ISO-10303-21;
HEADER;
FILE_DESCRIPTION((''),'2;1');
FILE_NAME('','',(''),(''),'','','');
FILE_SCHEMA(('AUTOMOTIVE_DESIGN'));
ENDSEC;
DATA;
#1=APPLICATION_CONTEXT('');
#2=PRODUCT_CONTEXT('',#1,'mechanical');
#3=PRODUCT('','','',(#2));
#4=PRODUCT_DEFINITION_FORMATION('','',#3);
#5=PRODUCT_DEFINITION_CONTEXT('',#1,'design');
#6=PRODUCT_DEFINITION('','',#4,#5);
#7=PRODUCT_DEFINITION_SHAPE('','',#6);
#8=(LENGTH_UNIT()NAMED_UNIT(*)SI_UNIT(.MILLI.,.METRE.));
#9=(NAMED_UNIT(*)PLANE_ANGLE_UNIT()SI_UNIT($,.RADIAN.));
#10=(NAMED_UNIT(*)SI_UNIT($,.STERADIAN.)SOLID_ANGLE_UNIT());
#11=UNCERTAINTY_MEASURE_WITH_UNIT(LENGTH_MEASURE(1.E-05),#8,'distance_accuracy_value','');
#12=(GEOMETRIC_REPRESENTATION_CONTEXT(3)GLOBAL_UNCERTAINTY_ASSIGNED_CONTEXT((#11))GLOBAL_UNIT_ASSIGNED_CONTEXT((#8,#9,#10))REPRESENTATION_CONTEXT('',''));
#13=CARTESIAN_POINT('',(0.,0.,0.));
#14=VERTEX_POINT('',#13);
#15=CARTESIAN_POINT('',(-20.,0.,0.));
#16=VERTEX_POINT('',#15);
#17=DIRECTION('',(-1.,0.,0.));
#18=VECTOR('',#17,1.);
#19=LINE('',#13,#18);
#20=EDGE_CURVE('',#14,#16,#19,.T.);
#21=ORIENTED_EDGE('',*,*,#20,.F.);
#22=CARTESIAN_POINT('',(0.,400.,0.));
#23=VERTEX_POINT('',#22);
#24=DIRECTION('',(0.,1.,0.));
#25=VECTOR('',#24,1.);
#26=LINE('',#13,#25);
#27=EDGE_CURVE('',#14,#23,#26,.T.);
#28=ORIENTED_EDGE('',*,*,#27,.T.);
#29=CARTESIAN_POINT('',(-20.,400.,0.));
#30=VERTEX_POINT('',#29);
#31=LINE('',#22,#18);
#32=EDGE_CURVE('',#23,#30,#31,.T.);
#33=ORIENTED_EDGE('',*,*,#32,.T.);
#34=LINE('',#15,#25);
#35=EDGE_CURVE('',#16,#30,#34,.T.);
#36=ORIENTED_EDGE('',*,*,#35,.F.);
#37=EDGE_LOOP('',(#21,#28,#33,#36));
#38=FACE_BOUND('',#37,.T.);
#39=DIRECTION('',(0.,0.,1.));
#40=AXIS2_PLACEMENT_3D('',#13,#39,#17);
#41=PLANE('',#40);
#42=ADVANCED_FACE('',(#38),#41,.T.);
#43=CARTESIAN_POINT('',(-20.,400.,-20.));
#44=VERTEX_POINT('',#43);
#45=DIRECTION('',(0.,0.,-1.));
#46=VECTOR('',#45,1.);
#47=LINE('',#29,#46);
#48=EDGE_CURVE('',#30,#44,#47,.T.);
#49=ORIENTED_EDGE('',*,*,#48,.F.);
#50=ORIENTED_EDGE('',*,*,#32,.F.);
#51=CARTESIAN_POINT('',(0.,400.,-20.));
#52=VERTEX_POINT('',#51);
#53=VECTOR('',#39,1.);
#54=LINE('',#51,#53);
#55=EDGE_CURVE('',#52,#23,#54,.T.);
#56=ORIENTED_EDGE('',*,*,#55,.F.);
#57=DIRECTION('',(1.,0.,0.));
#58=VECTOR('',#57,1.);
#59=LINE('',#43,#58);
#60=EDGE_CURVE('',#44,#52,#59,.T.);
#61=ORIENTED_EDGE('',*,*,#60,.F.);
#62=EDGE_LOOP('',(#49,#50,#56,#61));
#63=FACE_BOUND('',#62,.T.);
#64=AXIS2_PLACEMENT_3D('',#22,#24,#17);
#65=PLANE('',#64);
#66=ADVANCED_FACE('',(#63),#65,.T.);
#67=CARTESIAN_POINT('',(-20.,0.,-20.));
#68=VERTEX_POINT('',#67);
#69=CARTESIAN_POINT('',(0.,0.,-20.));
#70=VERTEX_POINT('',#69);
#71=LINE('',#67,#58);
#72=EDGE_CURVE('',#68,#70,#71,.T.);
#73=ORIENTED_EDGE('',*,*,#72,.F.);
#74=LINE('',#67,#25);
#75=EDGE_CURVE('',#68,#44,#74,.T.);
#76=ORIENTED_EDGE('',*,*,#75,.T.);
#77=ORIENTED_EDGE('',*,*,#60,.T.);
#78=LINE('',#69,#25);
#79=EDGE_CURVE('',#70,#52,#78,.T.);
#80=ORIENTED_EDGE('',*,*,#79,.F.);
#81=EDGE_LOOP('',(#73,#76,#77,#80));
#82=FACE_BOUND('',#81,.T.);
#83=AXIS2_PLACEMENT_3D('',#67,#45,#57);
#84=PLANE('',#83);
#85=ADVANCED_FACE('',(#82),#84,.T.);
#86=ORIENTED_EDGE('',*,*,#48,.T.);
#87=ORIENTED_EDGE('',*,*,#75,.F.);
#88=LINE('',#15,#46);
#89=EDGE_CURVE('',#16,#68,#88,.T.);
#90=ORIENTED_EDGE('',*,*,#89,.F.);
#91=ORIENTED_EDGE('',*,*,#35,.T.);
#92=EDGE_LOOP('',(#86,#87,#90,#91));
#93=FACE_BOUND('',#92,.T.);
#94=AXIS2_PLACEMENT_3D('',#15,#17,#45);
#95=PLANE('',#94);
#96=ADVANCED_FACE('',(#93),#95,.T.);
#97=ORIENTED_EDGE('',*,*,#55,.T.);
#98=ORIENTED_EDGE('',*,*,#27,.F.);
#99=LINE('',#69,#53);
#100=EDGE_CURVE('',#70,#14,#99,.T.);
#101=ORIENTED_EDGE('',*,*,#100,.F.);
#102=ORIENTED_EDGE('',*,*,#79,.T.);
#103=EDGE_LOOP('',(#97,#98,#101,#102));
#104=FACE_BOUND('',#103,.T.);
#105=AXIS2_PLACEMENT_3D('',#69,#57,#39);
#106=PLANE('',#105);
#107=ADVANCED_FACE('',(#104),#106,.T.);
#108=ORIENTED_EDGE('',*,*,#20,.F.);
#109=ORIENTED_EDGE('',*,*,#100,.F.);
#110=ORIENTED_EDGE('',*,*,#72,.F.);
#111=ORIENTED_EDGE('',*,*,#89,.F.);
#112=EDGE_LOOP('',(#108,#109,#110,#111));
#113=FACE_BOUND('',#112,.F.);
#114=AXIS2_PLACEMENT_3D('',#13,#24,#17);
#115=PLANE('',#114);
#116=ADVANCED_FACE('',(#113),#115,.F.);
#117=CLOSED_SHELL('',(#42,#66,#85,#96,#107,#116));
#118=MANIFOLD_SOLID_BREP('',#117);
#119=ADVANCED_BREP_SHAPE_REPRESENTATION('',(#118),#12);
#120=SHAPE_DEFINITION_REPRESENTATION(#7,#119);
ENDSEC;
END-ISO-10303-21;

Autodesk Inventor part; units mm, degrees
ref_plane "YZ Plane" through (0, 0, 0) normal (1, 0, 0) x (0, 1, 0)
ref_plane "XZ Plane" through (0, 0, 0) normal (0, 1, 0) x (-1, 0, 0)
ref_plane "XY Plane" through (0, 0, 0) normal (0, 0, 1) x (1, 0, 0)
sketch "スケッチ1" plane through (0, 0, 0) normal (0, 1, 0) x (-1, 0, 0)
  line L0 (0, 0) -> (20, 0)
  line L1 (20, 0) -> (20, -20)
  line L2 (20, -20) -> (0, -20)
  line L3 (0, -20) -> (0, 0)
  dimension "d0" = 20
  dimension "d1" = 20
extrude "押し出し1" add sketch "スケッチ1" along normal blind 400
properties part number "frame400"
